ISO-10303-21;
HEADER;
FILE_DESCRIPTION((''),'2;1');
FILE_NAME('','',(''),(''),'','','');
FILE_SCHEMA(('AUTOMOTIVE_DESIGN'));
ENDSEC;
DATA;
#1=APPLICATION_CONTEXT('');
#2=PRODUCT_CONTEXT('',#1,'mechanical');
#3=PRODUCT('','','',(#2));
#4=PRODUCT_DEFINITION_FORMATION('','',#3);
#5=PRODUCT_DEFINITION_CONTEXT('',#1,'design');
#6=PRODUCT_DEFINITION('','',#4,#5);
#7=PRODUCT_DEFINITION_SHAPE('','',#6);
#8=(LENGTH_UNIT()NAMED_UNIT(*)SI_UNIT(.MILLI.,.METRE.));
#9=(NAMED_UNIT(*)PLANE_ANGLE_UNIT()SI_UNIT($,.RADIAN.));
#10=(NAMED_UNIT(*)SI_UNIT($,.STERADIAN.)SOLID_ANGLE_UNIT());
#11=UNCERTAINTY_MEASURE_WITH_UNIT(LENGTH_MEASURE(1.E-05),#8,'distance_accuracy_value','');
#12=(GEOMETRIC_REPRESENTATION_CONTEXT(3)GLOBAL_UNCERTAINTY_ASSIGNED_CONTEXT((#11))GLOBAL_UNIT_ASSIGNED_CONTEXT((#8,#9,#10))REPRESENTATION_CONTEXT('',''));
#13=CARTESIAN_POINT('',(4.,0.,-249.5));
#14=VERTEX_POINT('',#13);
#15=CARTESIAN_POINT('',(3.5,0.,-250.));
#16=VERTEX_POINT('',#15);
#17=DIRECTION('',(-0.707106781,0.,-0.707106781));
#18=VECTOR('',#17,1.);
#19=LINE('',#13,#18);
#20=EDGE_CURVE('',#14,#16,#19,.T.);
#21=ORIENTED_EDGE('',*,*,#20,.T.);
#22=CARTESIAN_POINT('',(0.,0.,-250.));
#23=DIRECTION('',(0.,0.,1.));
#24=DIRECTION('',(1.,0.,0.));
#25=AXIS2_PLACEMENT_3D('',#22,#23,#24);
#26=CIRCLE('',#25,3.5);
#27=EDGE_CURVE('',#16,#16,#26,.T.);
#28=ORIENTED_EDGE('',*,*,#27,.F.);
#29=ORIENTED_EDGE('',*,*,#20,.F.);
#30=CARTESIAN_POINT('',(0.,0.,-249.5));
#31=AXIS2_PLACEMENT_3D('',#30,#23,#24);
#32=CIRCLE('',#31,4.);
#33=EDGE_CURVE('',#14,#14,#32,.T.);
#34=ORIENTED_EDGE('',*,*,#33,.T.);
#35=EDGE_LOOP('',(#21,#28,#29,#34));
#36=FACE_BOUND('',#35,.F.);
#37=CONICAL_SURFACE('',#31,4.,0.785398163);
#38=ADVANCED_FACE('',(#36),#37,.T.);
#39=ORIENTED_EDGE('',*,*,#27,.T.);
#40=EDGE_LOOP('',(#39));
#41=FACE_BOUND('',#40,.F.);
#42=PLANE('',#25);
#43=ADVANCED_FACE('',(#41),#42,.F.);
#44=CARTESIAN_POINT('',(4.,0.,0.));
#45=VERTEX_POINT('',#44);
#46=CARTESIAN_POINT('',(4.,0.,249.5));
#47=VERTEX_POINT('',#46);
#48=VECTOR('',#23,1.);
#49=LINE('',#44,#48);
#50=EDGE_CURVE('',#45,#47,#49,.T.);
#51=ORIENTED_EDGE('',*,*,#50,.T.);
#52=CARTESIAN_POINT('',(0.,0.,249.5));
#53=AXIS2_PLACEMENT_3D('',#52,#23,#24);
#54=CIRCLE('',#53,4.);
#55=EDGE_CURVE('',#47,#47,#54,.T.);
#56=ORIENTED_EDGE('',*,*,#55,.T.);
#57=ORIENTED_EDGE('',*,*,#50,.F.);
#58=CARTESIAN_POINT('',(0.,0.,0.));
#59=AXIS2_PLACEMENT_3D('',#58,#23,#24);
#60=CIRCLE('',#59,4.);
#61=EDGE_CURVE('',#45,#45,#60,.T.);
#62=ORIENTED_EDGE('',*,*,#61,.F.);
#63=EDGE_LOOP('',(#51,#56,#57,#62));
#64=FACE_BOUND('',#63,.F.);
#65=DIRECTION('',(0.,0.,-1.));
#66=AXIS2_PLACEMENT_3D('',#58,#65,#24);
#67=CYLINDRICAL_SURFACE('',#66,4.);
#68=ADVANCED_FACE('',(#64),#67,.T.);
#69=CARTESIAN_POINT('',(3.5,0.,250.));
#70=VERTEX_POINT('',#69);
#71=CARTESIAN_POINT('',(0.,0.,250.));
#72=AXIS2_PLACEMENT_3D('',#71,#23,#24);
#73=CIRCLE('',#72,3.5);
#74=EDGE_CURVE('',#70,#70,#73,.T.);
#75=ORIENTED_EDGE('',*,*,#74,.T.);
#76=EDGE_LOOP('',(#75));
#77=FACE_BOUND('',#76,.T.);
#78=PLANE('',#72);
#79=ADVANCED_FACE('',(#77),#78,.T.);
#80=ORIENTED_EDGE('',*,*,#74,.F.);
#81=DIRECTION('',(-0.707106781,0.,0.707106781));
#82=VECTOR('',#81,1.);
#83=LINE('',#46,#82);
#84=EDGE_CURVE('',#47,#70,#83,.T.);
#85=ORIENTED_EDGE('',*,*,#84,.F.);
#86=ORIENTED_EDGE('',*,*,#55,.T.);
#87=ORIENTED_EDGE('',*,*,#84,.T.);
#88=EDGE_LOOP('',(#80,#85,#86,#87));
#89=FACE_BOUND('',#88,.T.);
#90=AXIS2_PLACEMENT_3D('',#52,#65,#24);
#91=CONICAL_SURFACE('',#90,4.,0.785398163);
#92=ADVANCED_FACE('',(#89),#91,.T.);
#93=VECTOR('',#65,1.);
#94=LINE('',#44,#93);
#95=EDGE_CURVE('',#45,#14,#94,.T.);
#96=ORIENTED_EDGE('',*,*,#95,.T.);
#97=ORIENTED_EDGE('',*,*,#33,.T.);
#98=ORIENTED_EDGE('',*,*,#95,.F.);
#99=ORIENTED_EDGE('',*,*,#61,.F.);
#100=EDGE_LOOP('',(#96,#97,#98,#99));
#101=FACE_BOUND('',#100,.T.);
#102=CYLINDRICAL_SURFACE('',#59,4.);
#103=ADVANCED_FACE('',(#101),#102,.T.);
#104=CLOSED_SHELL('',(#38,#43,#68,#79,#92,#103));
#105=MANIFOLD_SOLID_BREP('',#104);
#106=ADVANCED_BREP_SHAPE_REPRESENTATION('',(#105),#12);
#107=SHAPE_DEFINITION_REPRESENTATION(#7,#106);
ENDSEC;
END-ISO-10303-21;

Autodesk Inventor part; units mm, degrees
ref_plane "YZ Plane" through (0, 0, 0) normal (1, 0, 0) x (0, 1, 0)
ref_plane "XZ Plane" through (0, 0, 0) normal (0, 1, 0) x (-1, 0, 0)
ref_plane "XY Plane" through (0, 0, 0) normal (0, 0, 1) x (1, 0, 0)
sketch "スケッチ1" plane through (0, 0, 0) normal (0, 0, 1) x (1, 0, 0)
  circle A0 centre (0, 0) radius 4
  dimension "d0" = 8
extrude "押し出し1" add sketch "スケッチ1" along normal mid plane 500
chamfer "面取り1" distance 0.5 angle 45 2 edges at (-4, 0, 250) (-4, 0, -250)
properties part number "shaft1" material "鋼、炭素鋼"
